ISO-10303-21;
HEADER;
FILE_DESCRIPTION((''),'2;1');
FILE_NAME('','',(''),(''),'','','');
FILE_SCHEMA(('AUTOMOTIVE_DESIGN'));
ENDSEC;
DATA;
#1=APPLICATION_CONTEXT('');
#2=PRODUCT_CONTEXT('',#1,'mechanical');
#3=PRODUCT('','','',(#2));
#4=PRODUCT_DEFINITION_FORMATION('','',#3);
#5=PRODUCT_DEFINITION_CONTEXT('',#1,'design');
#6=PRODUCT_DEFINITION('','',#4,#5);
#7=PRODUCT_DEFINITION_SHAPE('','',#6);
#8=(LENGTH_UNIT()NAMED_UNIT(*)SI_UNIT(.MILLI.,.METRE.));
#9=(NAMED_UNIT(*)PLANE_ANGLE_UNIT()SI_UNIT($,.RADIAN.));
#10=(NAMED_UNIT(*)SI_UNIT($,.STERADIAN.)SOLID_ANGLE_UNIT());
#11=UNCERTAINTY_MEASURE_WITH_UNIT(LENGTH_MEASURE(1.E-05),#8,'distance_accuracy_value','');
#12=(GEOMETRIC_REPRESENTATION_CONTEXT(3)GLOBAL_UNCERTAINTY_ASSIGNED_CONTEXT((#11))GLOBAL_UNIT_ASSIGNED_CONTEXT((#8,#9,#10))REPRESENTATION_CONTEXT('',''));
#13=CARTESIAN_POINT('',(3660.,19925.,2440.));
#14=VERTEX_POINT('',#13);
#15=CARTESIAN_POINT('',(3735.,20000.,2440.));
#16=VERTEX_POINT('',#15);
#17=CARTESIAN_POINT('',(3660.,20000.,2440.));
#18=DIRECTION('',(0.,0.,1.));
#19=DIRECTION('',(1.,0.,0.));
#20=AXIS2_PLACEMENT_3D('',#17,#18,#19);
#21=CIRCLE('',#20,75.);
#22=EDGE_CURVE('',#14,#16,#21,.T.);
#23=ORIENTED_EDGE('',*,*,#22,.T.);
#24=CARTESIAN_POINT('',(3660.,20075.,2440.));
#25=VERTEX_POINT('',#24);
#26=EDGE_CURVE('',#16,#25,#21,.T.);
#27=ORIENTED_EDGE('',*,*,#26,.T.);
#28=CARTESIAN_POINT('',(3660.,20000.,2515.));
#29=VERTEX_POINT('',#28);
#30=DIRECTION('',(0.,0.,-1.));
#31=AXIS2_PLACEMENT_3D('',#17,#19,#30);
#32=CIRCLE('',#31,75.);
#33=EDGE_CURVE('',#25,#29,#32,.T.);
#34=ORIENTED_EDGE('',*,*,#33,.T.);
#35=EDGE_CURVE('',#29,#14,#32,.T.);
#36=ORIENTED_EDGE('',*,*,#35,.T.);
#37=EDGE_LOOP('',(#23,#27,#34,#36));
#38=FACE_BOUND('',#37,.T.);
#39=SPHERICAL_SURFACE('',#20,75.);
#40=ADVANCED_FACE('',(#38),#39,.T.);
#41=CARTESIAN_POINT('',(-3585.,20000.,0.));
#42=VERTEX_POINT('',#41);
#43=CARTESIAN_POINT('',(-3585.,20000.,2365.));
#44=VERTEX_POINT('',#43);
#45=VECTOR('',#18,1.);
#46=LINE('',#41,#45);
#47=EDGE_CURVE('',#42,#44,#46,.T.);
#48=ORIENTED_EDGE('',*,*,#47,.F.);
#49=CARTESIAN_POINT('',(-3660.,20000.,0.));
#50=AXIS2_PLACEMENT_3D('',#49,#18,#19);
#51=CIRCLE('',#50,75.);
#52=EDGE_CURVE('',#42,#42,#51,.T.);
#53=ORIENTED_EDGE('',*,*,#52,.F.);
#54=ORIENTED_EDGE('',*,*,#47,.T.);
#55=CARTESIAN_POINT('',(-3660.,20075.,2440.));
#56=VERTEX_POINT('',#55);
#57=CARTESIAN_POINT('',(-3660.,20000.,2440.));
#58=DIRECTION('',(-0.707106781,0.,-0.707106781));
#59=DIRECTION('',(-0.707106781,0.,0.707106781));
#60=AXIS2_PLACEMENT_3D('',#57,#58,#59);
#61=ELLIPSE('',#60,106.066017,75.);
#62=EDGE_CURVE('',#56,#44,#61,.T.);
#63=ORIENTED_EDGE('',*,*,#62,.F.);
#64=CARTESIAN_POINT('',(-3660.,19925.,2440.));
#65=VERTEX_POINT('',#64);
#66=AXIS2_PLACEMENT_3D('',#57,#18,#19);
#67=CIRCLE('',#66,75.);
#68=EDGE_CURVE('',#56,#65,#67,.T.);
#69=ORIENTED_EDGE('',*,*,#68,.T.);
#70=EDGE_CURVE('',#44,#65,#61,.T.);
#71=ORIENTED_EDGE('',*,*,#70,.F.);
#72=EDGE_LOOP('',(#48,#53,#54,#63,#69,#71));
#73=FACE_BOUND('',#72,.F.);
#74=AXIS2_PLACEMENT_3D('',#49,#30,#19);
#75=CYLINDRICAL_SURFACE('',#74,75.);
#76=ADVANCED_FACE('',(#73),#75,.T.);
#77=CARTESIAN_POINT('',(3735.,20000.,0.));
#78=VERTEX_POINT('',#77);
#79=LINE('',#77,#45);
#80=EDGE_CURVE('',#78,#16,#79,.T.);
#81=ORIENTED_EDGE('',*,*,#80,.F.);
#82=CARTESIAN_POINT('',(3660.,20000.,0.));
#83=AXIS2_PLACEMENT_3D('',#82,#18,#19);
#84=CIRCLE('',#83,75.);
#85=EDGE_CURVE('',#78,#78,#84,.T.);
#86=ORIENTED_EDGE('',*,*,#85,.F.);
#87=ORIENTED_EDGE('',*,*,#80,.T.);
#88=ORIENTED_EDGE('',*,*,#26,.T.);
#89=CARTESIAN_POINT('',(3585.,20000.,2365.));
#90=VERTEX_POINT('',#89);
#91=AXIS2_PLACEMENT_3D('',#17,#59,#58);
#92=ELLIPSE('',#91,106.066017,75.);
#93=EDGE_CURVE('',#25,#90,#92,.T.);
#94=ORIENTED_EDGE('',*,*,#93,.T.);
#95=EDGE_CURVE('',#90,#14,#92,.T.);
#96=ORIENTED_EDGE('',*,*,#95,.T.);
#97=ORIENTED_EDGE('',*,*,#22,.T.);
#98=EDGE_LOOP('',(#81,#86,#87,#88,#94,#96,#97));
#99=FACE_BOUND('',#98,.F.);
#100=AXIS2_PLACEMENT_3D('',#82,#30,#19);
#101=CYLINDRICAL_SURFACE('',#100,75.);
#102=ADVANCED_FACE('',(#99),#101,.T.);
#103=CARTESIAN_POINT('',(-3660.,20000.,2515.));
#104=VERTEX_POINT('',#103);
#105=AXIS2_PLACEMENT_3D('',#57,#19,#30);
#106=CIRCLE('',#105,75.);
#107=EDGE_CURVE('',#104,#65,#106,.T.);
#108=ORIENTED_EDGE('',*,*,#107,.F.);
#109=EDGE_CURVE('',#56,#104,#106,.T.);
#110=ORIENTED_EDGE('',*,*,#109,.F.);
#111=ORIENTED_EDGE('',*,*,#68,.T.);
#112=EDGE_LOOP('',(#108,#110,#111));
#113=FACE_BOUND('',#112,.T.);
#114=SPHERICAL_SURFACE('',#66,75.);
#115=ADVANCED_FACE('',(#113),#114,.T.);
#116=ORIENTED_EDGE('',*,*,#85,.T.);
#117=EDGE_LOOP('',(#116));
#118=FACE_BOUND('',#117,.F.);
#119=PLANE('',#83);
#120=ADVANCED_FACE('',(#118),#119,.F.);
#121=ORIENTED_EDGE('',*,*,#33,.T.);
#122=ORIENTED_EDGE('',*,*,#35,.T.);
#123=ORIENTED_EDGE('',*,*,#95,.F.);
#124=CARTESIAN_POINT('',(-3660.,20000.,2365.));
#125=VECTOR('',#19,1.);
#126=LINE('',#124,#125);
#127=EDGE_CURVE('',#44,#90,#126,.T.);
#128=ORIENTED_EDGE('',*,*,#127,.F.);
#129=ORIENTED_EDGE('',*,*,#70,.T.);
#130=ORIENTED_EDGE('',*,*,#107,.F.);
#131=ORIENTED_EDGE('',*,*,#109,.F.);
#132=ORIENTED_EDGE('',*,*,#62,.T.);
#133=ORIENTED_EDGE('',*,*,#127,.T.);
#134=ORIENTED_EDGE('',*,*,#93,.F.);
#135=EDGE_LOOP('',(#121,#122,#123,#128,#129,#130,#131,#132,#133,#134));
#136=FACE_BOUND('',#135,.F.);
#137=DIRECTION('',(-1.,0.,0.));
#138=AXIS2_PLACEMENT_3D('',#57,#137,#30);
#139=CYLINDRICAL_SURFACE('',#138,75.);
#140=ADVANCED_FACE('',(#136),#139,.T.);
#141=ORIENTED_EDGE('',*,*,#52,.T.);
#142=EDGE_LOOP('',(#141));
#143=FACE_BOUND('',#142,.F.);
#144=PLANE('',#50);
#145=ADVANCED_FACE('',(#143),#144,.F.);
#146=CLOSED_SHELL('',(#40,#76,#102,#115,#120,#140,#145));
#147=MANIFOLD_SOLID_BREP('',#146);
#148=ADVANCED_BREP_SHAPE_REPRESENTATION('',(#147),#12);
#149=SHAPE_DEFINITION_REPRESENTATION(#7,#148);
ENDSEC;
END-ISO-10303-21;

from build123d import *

# Parameters (mm, degrees)
CYLINDER002_R     = 75
CYLINDER002_DEPTH = 7320
CYLINDER001_R     = 75
CYLINDER001_DEPTH = 2440
CYLINDER_R        = 75
CYLINDER_DEPTH    = 2440


with BuildPart() as sphere001:
    # Sphere001 → Sphere001 (revolve)
    with BuildSketch(Plane(origin=(3660, 0, 2440), x_dir=(1, 0, 0), z_dir=(0, -1, 0))):
        with BuildLine():
            ThreePointArc((0, -75), (75, 0), (0, 75))
            Line((0, 75), (0, -75))
        make_face()
    revolve(axis=Axis((3660, 0, 2440), (0, 0, 1)))


with BuildPart() as cylinder002:
    # Cylinder002 → Cylinder002 (new body)
    with BuildSketch(Plane(origin=(-3660, 0, 2440), x_dir=(0, 0, -1), z_dir=(1, 0, 0))):
        Circle(CYLINDER002_R)
    extrude(amount=CYLINDER002_DEPTH)


with BuildPart() as cylinder001:
    # Cylinder001 → Cylinder001 (new body)
    with BuildSketch(Plane(origin=(3660, 0, 0), x_dir=(1, 0, 0), z_dir=(0, 0, 1))):
        Circle(CYLINDER001_R)
    extrude(amount=CYLINDER001_DEPTH)


with BuildPart() as cylinder:
    # Cylinder → Cylinder (new body)
    with BuildSketch(Plane(origin=(-3660, 0, 0), x_dir=(1, 0, 0), z_dir=(0, 0, 1))):
        Circle(CYLINDER_R)
    extrude(amount=CYLINDER_DEPTH)


with BuildPart() as fusion:
    # Sphere002 → Sphere002 (revolve)
    with BuildSketch(Plane(origin=(-3660, 0, 2440), x_dir=(1, 0, 0), z_dir=(0, -1, 0))):
        with BuildLine():
            ThreePointArc((0, -75), (75, 0), (0, 75))
            Line((0, 75), (0, -75))
        make_face()
    revolve(axis=Axis((-3660, 0, 2440), (0, 0, 1)))

    # Fusion: union Sphere001, Cylinder002, Cylinder001, Cylinder
    add(sphere001.part)
    add(cylinder002.part)
    add(cylinder001.part)
    add(cylinder.part)


with BuildPart() as fusion_1:
    # Fusion placement: moved
    add(fusion.part.moved(Location((0, 20000, 0))))


solid = fusion_1.part
